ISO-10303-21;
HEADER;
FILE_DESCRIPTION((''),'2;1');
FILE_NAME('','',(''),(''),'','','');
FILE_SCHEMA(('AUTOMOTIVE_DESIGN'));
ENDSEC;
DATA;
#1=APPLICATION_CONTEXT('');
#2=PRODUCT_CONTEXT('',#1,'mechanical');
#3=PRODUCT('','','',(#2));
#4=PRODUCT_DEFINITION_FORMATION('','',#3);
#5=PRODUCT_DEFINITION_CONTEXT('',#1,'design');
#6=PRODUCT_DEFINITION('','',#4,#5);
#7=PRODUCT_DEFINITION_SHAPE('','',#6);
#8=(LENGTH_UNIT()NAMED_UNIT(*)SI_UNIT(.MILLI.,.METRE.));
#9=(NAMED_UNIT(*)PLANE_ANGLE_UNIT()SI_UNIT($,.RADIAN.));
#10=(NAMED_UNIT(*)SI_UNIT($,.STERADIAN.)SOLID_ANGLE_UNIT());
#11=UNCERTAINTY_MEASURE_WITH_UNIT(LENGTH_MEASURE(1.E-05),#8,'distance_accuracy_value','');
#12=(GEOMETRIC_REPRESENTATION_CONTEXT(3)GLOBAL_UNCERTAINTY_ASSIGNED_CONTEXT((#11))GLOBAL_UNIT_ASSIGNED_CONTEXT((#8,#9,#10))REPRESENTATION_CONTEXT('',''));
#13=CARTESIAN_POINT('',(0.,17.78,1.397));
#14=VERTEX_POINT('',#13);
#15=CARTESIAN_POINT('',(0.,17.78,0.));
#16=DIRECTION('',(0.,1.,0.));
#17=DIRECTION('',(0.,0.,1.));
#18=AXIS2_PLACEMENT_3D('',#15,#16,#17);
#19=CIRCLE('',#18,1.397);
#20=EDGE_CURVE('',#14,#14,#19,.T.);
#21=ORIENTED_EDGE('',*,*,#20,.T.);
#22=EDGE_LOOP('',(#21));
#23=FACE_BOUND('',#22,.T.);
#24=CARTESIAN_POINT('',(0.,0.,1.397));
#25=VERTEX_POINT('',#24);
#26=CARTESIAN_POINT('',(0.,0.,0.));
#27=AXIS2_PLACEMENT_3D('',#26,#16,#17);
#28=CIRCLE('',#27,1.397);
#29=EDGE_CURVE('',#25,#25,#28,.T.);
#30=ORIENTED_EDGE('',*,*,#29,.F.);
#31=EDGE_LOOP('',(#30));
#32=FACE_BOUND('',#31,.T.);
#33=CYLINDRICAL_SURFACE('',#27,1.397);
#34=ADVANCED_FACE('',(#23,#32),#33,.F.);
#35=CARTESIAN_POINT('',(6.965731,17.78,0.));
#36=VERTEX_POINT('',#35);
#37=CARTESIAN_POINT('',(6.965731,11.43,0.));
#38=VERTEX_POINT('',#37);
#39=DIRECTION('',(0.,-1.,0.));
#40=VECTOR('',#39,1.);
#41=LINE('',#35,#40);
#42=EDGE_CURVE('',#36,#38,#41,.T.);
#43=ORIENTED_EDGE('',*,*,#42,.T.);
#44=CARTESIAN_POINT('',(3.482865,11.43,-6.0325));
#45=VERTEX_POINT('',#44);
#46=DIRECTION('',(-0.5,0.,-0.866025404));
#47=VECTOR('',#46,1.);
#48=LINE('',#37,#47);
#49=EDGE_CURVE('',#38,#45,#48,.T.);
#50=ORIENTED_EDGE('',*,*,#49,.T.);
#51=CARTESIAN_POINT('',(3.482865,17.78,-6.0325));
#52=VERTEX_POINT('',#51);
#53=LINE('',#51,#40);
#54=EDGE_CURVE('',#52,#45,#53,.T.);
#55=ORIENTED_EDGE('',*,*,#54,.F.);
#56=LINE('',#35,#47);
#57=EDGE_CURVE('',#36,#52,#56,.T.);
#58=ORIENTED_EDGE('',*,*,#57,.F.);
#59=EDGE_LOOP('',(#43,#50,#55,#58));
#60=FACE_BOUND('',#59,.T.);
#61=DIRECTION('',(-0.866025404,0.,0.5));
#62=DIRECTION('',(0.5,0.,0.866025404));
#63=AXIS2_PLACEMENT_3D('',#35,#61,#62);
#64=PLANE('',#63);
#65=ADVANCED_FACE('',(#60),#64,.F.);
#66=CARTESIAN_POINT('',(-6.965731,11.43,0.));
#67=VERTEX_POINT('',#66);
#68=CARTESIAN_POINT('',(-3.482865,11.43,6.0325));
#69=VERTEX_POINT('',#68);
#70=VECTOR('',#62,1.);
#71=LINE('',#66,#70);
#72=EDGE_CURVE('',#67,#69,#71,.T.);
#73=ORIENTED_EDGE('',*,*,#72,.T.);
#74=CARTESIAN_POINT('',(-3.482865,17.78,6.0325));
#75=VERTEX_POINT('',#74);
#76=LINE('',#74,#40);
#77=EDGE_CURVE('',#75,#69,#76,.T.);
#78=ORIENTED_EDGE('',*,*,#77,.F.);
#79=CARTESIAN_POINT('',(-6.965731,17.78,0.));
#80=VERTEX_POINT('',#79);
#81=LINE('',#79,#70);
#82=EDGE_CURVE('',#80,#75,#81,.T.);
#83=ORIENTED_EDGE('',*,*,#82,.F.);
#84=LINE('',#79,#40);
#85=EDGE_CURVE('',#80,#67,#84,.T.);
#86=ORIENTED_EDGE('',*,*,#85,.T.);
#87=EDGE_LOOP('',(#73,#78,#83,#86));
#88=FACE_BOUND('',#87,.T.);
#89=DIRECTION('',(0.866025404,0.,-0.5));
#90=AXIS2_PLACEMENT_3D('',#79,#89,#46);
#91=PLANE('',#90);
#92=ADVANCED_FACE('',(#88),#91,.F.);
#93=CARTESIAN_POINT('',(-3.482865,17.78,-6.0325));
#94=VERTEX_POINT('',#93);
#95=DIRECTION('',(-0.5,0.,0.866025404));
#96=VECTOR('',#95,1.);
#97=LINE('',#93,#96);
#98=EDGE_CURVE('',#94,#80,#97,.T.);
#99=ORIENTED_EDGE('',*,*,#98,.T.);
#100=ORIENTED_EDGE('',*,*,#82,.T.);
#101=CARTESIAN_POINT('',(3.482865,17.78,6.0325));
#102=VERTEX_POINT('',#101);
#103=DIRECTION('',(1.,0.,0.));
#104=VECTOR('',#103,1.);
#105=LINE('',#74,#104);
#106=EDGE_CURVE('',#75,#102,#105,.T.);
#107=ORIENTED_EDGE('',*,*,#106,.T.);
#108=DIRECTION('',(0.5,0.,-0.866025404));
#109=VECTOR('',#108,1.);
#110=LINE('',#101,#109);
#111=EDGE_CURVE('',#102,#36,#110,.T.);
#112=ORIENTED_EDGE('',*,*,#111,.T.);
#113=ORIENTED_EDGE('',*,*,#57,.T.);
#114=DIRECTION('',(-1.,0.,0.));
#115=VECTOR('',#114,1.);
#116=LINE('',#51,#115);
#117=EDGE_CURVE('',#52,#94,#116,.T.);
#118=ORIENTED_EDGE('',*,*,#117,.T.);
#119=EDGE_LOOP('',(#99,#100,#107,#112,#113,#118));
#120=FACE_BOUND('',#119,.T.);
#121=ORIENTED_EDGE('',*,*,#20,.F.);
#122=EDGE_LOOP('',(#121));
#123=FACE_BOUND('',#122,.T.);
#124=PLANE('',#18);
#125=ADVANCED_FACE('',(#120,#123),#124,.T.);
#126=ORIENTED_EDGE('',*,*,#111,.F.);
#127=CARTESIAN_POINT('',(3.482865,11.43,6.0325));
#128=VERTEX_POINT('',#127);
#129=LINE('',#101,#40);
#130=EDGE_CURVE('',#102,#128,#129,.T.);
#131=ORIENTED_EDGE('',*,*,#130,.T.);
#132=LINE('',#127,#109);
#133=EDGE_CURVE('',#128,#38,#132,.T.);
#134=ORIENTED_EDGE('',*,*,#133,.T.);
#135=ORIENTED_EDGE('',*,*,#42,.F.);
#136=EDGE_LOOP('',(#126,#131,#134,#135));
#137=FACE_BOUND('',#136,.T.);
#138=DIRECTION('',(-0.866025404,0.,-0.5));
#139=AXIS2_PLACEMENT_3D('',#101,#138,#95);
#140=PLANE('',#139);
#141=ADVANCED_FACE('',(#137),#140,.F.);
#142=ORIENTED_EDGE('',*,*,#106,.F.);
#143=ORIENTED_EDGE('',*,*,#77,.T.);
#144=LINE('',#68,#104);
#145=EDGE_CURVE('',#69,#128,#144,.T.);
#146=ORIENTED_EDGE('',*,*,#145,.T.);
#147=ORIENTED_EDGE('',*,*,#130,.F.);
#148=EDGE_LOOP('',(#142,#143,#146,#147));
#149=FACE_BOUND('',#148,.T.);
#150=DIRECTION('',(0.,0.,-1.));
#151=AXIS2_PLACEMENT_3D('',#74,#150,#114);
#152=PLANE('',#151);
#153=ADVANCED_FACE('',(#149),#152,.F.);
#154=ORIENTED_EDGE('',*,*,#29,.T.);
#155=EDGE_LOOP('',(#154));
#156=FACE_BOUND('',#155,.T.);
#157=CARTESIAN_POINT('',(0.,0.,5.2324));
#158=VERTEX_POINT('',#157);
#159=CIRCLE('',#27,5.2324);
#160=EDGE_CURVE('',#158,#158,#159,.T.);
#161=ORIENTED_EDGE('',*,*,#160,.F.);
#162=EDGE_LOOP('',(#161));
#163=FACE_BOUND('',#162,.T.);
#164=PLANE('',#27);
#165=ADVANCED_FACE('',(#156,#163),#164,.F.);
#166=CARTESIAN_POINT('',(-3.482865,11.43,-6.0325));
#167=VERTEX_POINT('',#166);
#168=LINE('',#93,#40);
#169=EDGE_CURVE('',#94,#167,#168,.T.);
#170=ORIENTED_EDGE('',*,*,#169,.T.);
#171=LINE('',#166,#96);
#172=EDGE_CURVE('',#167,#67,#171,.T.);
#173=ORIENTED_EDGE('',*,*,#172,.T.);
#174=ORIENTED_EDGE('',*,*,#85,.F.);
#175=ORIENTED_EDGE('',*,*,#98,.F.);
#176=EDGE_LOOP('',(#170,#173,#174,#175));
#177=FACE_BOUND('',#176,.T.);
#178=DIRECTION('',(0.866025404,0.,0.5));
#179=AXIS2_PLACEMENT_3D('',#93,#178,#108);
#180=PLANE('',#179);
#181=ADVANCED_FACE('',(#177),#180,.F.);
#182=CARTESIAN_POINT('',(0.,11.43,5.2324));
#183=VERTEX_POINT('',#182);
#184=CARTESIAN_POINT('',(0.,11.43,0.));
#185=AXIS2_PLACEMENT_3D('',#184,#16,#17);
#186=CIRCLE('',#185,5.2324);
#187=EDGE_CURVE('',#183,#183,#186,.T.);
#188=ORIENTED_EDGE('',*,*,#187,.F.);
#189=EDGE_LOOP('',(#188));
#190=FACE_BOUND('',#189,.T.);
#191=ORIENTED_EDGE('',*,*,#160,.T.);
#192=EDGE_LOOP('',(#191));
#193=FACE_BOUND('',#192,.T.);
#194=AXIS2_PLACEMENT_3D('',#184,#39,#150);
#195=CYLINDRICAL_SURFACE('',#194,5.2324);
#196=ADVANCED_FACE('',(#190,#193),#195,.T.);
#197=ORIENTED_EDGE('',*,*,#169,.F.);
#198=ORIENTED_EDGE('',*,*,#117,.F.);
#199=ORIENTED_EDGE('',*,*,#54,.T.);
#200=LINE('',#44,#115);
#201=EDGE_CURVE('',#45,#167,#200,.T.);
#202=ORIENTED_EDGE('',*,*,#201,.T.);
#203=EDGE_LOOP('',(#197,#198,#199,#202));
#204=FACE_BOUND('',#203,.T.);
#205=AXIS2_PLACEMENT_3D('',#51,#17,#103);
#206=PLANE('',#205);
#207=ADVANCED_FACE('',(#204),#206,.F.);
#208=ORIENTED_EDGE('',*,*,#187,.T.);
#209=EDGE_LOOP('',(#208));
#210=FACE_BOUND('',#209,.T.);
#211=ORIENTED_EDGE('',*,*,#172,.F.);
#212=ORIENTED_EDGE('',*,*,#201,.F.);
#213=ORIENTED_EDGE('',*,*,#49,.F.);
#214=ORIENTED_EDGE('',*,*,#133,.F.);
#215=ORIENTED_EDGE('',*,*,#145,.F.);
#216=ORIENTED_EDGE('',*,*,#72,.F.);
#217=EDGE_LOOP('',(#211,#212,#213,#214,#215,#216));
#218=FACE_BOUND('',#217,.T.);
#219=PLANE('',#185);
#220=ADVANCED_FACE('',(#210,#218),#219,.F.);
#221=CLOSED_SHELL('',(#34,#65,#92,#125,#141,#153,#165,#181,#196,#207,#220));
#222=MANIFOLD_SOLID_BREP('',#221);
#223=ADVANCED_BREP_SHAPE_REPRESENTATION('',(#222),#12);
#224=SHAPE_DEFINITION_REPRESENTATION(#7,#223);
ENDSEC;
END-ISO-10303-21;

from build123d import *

# Parameters (mm, degrees)
SKETCH1_R           = 5.2324
BOSS_EXTRUDE1_DEPTH = 11.43
BOSS_EXTRUDE2_DEPTH = 6.35
SKETCH3_R           = 1.397
CUT_EXTRUDE1_DEPTH  = 18.78


with BuildPart() as part:
    # Sketch1 → Boss-Extrude1 (new body)
    with BuildSketch(Plane(origin=(0, 0, 0), x_dir=(1, 0, 0), z_dir=(0, 1, 0))):
        Circle(SKETCH1_R)
    extrude(amount=BOSS_EXTRUDE1_DEPTH)

    # Sketch2 → Boss-Extrude2 (add)
    with BuildSketch(Plane(origin=(0, 11.43, 0), x_dir=(1, 0, 0), z_dir=(0, 1, 0))):
        Polygon((6.965730998, 0), (3.482865499, 6.0325), (-3.482865499, 6.0325), (-6.965730998, 0), (-3.482865499, -6.0325), (3.482865499, -6.0325), align=None)
    extrude(amount=BOSS_EXTRUDE2_DEPTH)

    # Sketch3 → Cut-Extrude1 (cut, through all)
    with BuildSketch(Plane(origin=(0, 17.78, 0), x_dir=(1, 0, 0), z_dir=(0, 1, 0))):
        Circle(SKETCH3_R)
    extrude(amount=-CUT_EXTRUDE1_DEPTH, mode=Mode.SUBTRACT)


solid = part.part
